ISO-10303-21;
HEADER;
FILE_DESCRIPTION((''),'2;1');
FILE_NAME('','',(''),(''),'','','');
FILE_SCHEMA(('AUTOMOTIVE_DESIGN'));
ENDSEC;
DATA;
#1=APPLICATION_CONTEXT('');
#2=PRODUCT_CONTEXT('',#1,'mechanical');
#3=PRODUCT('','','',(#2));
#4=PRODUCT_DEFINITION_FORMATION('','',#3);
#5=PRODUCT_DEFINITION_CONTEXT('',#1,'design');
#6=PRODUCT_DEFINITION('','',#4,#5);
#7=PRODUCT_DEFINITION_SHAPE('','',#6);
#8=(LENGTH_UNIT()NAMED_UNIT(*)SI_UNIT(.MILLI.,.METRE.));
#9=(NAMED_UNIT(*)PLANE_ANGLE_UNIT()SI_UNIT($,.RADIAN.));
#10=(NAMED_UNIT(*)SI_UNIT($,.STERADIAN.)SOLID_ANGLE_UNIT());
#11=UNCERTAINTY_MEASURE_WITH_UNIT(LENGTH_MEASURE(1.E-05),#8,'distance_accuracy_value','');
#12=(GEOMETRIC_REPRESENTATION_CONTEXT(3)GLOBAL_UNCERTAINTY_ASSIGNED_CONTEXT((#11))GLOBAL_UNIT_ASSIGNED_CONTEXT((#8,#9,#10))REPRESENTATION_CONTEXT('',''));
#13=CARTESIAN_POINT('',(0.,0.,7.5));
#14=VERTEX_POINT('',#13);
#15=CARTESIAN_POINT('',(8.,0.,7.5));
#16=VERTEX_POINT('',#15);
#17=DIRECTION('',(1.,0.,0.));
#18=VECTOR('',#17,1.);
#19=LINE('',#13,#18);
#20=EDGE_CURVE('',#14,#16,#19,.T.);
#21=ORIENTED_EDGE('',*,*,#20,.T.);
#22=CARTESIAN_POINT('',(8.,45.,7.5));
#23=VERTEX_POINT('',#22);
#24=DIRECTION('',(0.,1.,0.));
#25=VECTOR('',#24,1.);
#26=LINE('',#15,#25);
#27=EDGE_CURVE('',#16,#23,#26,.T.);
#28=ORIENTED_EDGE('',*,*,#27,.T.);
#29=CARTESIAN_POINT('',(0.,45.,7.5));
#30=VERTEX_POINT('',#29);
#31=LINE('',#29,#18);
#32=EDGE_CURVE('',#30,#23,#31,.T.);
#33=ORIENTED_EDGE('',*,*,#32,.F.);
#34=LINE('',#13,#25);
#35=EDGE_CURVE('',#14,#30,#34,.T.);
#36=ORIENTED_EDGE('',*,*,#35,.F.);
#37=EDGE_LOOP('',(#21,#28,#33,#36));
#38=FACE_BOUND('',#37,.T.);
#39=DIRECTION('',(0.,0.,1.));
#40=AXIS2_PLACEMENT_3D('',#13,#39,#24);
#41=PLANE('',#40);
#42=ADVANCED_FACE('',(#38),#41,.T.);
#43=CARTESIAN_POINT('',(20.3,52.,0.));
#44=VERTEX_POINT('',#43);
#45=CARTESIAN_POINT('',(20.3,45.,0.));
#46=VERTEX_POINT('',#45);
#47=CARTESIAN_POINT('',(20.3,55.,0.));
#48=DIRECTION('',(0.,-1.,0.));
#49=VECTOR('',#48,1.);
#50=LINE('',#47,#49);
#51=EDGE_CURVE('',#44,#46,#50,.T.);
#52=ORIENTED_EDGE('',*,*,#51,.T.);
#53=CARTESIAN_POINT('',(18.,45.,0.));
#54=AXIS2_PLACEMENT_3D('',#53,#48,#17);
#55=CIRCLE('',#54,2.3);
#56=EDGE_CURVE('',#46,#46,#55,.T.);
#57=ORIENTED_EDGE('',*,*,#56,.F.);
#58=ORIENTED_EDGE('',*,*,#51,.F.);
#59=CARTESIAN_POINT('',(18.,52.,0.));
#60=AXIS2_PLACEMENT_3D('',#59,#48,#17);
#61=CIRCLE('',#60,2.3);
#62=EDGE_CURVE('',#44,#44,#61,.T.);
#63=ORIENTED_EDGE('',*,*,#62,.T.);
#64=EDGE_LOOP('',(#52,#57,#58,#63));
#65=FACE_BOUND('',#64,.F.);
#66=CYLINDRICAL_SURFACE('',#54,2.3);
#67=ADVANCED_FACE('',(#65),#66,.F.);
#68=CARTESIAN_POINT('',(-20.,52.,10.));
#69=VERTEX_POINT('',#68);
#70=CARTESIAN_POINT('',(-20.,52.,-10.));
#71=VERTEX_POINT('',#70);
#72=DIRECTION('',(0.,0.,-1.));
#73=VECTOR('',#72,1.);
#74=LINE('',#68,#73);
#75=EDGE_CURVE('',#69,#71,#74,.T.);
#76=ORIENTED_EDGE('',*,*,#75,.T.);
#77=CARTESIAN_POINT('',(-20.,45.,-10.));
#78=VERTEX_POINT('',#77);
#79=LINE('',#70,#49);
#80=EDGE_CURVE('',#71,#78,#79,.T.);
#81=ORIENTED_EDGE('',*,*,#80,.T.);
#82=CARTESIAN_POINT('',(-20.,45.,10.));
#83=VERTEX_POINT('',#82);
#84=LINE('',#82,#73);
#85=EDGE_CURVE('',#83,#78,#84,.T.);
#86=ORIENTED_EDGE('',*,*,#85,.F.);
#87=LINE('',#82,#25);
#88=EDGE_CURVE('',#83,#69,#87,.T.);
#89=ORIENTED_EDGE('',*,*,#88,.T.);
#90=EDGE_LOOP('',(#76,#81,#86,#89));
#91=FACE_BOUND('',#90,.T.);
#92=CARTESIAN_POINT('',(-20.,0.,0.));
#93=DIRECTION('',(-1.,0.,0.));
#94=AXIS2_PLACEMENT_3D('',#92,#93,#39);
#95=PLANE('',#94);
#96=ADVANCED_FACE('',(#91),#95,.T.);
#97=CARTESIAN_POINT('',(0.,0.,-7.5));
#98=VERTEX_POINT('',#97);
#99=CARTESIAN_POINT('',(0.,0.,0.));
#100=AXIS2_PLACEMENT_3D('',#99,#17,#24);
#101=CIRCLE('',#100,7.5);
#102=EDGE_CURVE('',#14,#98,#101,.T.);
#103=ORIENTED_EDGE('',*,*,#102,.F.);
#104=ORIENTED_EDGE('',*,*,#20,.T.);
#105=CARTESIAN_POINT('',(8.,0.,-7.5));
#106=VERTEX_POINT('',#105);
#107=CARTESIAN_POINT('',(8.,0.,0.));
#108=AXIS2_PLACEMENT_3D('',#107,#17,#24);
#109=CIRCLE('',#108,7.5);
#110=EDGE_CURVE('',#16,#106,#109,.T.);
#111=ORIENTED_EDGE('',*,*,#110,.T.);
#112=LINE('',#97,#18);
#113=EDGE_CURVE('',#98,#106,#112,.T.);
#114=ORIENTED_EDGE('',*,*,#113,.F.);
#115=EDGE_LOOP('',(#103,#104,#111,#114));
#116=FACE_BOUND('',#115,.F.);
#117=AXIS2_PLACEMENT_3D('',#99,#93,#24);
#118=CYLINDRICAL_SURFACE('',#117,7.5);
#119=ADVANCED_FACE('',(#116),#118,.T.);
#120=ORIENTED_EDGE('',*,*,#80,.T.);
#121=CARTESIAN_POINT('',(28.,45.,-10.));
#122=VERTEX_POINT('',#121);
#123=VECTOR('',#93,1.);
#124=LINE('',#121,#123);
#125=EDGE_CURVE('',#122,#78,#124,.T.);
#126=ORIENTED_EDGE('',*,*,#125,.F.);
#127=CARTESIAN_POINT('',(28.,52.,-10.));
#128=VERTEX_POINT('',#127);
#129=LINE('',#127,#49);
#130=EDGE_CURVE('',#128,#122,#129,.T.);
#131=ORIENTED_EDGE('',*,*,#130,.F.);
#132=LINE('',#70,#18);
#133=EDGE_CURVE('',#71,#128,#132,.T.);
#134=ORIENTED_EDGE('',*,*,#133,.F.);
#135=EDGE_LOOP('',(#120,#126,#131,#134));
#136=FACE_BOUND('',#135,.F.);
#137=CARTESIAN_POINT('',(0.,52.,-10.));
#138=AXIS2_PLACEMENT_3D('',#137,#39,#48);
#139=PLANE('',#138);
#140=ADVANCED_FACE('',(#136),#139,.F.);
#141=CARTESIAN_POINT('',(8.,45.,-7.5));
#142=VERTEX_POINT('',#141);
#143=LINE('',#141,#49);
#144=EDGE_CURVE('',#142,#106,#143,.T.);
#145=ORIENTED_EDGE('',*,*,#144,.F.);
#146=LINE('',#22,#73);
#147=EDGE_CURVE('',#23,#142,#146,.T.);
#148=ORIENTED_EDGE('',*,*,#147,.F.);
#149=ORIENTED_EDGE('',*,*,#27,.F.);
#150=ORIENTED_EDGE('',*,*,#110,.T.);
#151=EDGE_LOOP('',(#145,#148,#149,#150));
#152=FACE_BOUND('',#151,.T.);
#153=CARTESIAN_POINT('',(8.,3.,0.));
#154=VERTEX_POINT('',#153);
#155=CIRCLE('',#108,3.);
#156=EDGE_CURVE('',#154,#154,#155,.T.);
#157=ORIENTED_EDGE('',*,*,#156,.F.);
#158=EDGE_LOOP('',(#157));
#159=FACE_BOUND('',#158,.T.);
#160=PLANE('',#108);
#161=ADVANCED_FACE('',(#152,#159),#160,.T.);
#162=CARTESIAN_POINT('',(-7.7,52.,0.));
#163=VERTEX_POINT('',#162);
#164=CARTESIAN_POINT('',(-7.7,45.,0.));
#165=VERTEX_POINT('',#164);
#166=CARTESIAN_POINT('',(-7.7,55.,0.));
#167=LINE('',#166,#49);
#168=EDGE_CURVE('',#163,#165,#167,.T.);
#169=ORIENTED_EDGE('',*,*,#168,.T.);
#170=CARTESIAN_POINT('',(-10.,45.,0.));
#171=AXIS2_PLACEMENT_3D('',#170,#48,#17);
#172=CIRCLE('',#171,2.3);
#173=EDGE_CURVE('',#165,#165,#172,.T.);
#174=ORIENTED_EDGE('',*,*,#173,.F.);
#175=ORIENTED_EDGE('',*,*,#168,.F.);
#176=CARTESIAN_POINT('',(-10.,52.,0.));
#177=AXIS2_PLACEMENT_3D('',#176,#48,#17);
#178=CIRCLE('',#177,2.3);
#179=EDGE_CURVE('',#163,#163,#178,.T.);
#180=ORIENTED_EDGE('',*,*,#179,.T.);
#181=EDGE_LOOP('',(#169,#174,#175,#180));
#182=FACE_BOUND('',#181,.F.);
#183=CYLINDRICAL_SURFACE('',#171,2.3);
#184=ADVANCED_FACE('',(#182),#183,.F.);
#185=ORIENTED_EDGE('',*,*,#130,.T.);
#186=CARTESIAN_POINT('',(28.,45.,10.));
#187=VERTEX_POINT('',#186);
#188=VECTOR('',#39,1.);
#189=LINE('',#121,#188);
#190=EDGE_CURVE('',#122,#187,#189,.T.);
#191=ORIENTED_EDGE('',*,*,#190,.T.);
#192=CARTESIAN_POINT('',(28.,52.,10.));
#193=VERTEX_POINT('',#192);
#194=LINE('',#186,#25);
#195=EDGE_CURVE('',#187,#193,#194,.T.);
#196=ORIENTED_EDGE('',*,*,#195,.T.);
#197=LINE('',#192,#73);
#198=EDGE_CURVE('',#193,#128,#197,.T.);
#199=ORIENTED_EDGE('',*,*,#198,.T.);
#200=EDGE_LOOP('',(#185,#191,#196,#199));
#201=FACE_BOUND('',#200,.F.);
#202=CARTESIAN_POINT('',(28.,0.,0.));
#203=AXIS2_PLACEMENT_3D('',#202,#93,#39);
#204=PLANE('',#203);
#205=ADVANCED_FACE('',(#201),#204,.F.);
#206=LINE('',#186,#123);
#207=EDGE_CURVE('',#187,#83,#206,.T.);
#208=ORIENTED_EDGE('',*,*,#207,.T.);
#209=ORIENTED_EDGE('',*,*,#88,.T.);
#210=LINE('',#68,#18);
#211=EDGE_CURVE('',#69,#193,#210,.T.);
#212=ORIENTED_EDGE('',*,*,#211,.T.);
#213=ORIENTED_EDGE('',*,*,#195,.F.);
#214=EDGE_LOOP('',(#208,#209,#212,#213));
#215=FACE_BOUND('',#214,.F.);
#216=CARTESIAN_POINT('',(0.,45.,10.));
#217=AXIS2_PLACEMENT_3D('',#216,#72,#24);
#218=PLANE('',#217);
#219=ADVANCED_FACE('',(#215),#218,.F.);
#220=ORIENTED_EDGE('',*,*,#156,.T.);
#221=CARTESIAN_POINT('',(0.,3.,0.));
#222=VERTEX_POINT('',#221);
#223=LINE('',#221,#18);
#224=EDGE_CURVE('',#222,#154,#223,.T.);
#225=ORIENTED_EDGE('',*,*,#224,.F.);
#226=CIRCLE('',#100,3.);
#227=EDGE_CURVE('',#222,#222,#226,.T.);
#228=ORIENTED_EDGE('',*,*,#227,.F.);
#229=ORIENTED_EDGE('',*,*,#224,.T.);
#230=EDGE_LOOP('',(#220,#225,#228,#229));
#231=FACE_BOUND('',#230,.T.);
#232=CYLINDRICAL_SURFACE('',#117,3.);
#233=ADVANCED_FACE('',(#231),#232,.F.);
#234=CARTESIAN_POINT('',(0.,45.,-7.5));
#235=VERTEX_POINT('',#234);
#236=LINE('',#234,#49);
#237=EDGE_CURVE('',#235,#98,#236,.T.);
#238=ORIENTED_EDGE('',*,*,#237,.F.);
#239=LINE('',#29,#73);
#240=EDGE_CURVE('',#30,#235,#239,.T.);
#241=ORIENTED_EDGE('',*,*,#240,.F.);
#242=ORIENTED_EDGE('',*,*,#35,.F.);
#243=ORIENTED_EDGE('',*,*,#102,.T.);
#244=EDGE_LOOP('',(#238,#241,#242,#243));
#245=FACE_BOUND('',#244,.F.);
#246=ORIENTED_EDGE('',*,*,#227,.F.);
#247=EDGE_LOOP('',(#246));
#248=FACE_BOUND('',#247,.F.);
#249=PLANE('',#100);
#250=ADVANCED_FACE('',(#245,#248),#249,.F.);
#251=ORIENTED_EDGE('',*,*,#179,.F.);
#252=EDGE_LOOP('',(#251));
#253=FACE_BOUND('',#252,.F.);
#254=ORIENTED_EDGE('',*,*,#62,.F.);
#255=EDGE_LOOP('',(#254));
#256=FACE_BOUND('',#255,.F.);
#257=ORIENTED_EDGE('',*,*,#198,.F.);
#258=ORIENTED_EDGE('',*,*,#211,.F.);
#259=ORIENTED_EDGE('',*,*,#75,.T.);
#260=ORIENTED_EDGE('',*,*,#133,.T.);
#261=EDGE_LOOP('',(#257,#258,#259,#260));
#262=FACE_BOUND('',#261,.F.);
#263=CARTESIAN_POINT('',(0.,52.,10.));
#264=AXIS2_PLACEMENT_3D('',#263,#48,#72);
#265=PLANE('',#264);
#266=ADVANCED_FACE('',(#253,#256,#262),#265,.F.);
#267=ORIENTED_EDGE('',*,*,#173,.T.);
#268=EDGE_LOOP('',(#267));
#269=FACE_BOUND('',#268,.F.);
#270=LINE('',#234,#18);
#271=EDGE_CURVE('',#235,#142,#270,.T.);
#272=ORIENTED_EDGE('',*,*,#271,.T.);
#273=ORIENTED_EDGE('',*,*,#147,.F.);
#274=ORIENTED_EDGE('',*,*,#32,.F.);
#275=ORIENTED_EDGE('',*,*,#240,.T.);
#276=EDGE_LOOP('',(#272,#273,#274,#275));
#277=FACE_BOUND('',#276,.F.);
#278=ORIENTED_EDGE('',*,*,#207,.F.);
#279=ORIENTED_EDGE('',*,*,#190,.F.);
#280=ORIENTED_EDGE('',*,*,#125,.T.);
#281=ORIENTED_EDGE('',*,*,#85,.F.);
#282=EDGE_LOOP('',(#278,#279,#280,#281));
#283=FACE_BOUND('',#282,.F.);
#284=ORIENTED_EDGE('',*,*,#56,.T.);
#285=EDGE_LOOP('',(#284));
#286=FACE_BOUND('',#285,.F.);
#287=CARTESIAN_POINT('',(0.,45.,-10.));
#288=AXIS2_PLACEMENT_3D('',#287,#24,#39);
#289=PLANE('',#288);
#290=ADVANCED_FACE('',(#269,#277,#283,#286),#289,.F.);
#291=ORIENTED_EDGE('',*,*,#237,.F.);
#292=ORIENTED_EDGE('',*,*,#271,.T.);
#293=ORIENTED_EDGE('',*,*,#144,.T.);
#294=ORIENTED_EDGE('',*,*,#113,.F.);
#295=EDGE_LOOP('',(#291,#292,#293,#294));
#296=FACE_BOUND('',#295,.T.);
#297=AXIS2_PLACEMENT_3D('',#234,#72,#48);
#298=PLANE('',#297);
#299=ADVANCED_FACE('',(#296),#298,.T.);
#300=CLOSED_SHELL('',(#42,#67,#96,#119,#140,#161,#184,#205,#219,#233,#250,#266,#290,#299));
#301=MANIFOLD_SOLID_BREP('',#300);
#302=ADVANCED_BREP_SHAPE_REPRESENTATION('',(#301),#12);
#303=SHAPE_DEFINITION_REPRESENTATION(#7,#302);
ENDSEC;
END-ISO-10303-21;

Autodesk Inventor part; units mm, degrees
ref_plane "YZ Plane" through (0, 0, 0) normal (1, 0, 0) x (0, 1, 0)
ref_plane "XZ Plane" through (0, 0, 0) normal (0, 1, 0) x (-1, 0, 0)
ref_plane "XY Plane" through (0, 0, 0) normal (0, 0, 1) x (1, 0, 0)
sketch "Sketch1" plane through (0, 0, 0) normal (1, 0, 0) x (0, 1, 0)
  circle A0 centre (0, 0) radius 3
  circle A1 centre (0, 0) radius 7.5
  line L0 (0, 7.5) -> (45, 7.5)
  line L1 (45, 7.5) -> (45, -7.5)
  line L2 (45, -7.5) -> (0, -7.5)
  dimension "d0" = 6
  dimension "d1" = 15
  dimension "d2" = 45
extrude "Extrusion1" add sketch "Sketch1" along normal blind 8
sketch "Sketch2" plane through (0, 0, 0) normal (-1, 0, 0) x (0, 0, 1)
  line L0 (-10, 45) -> (10, 45)
  line L1 (10, 45) -> (10, 52)
  line L2 (10, 52) -> (-10, 52)
  line L3 (-10, 52) -> (-10, 45)
  line L4 (7.5, 45) -> (7.5, 0) projected
  line L5 (-7.5, 45) -> (7.5, 45) projected
  point P0 (0, 0)
  dimension "d5" = 20
  dimension "d6" = 2.5
  dimension "d7" = 0
  dimension "d8" = 7
extrude "Extrusion2" add sketch "Sketch2" along normal blind 20 and the other way blind 28
sketch "Sketch3" plane through (-20, 45, 10) normal (0, -1, 0) x (1, 0, 0)
  circle A0 centre (38, -10) radius 2.3
  circle A1 centre (10, -10) radius 2.3
  line L0 (48, 0) -> (0, 0) projected
  line L1 (48, 0) -> (48, -20) projected
  line L2 (0, -20) -> (0, 0) projected
  point P0 (20, -10)
  dimension "d13" = 10
  dimension "d14" = 10
  dimension "d15" = 4.6
  dimension "d16" = 4.6
  dimension "d17" = 10
  dimension "d18" = 10
extrude "Extrusion3" cut sketch "Sketch3" against normal mid plane 20
equation "\"d14\" = d13"
equation "\"d15\" = d16"
equation "\"d17\" = d14"
equation "\"d18\" = d13"
properties part number "RouleauMount"
